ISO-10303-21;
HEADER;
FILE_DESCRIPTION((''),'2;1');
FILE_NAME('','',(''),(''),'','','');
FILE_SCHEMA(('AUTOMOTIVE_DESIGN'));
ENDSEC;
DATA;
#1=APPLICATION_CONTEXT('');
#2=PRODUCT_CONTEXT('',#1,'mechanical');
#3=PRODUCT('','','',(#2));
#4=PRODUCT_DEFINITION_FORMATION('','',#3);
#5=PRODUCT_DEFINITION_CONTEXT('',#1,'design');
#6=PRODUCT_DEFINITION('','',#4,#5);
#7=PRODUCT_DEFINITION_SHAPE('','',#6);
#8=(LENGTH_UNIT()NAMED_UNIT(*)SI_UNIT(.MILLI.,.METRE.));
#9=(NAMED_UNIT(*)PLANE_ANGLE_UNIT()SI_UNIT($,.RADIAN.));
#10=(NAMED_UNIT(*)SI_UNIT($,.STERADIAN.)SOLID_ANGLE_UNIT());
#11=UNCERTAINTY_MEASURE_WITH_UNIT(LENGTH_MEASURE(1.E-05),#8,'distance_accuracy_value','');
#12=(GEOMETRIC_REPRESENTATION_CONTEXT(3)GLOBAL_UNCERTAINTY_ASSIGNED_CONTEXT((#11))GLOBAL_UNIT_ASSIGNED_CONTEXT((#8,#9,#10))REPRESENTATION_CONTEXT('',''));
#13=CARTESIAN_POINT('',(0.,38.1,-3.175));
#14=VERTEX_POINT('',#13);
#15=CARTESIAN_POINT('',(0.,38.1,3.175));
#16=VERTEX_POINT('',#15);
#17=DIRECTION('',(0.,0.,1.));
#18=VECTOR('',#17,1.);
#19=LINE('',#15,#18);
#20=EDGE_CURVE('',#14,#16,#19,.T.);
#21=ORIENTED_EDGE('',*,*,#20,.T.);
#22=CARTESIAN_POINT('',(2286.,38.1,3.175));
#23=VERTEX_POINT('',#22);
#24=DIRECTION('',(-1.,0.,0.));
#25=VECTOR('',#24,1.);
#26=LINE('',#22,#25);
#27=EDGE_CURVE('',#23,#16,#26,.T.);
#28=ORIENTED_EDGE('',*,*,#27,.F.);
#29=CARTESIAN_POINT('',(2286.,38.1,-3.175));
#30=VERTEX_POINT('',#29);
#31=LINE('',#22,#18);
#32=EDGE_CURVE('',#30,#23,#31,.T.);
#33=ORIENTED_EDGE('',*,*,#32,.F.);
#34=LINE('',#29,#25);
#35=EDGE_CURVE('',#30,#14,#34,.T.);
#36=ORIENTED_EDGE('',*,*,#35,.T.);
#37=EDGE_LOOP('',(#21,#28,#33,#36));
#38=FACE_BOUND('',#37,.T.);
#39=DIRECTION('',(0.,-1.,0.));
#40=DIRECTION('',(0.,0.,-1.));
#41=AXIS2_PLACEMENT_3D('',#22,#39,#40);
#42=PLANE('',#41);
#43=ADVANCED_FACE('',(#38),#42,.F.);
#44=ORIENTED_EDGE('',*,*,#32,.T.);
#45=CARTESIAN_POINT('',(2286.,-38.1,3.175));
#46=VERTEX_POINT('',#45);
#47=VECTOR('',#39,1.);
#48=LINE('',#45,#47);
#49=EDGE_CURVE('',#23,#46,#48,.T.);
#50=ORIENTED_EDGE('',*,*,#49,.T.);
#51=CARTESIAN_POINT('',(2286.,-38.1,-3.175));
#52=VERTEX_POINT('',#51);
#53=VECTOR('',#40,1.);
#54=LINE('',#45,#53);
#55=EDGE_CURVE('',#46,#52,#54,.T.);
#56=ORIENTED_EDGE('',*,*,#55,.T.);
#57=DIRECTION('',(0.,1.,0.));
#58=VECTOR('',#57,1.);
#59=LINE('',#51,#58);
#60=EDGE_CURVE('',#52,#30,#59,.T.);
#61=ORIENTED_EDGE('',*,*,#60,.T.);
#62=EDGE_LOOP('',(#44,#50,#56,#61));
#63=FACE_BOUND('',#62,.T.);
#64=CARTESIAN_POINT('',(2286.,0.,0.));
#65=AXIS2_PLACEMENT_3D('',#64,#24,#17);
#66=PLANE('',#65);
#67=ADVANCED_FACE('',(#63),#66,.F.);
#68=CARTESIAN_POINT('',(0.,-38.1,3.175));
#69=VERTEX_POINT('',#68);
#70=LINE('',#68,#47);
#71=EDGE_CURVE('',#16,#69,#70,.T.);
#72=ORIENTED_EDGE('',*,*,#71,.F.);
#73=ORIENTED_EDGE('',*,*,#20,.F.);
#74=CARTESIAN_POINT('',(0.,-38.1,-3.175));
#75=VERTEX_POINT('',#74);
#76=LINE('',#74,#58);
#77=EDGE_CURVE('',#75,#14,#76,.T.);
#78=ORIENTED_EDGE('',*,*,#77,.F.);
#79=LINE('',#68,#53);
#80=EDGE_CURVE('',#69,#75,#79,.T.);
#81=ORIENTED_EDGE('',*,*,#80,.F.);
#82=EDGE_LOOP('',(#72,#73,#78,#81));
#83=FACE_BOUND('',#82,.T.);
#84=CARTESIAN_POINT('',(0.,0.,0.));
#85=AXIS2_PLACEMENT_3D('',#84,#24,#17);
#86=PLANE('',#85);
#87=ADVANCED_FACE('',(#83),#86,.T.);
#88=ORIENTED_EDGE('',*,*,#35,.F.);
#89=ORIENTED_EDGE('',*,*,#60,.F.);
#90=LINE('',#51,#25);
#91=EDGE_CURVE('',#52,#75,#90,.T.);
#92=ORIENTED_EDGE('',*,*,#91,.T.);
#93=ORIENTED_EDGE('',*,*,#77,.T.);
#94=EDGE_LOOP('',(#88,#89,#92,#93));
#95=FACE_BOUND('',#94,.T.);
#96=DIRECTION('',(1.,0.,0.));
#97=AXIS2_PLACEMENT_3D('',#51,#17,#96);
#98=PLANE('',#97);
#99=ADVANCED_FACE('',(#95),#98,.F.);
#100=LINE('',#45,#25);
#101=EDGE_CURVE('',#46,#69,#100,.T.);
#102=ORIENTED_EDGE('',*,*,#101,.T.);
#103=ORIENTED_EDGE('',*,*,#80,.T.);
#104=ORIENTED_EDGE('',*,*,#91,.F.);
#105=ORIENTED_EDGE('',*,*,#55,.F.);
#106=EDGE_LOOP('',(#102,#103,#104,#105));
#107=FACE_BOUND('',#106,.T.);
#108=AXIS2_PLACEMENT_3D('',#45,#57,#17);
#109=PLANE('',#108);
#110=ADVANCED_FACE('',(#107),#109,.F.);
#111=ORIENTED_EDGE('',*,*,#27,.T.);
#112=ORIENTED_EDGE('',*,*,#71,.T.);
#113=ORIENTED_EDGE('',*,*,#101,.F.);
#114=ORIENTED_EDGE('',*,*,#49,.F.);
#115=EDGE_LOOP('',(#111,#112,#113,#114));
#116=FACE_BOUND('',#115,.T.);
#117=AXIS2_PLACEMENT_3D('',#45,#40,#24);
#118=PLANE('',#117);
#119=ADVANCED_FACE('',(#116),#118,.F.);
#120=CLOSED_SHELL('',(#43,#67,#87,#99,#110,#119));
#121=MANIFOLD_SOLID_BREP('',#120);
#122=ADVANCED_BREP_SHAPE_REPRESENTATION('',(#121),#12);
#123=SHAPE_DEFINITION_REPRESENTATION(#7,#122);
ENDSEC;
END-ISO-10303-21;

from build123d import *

# Parameters (mm, degrees)
SKETCH1_W           = 6.35
SKETCH1_H           = 76.2
BOSS_EXTRUDE1_DEPTH = 2286


with BuildPart() as part:
    # Sketch1 → Boss-Extrude1 (new body)
    with BuildSketch(Plane(origin=(0, 0, 0), x_dir=(0, 0, -1), z_dir=(1, 0, 0))):
        Rectangle(SKETCH1_W, SKETCH1_H)
    extrude(amount=BOSS_EXTRUDE1_DEPTH)


solid = part.part
